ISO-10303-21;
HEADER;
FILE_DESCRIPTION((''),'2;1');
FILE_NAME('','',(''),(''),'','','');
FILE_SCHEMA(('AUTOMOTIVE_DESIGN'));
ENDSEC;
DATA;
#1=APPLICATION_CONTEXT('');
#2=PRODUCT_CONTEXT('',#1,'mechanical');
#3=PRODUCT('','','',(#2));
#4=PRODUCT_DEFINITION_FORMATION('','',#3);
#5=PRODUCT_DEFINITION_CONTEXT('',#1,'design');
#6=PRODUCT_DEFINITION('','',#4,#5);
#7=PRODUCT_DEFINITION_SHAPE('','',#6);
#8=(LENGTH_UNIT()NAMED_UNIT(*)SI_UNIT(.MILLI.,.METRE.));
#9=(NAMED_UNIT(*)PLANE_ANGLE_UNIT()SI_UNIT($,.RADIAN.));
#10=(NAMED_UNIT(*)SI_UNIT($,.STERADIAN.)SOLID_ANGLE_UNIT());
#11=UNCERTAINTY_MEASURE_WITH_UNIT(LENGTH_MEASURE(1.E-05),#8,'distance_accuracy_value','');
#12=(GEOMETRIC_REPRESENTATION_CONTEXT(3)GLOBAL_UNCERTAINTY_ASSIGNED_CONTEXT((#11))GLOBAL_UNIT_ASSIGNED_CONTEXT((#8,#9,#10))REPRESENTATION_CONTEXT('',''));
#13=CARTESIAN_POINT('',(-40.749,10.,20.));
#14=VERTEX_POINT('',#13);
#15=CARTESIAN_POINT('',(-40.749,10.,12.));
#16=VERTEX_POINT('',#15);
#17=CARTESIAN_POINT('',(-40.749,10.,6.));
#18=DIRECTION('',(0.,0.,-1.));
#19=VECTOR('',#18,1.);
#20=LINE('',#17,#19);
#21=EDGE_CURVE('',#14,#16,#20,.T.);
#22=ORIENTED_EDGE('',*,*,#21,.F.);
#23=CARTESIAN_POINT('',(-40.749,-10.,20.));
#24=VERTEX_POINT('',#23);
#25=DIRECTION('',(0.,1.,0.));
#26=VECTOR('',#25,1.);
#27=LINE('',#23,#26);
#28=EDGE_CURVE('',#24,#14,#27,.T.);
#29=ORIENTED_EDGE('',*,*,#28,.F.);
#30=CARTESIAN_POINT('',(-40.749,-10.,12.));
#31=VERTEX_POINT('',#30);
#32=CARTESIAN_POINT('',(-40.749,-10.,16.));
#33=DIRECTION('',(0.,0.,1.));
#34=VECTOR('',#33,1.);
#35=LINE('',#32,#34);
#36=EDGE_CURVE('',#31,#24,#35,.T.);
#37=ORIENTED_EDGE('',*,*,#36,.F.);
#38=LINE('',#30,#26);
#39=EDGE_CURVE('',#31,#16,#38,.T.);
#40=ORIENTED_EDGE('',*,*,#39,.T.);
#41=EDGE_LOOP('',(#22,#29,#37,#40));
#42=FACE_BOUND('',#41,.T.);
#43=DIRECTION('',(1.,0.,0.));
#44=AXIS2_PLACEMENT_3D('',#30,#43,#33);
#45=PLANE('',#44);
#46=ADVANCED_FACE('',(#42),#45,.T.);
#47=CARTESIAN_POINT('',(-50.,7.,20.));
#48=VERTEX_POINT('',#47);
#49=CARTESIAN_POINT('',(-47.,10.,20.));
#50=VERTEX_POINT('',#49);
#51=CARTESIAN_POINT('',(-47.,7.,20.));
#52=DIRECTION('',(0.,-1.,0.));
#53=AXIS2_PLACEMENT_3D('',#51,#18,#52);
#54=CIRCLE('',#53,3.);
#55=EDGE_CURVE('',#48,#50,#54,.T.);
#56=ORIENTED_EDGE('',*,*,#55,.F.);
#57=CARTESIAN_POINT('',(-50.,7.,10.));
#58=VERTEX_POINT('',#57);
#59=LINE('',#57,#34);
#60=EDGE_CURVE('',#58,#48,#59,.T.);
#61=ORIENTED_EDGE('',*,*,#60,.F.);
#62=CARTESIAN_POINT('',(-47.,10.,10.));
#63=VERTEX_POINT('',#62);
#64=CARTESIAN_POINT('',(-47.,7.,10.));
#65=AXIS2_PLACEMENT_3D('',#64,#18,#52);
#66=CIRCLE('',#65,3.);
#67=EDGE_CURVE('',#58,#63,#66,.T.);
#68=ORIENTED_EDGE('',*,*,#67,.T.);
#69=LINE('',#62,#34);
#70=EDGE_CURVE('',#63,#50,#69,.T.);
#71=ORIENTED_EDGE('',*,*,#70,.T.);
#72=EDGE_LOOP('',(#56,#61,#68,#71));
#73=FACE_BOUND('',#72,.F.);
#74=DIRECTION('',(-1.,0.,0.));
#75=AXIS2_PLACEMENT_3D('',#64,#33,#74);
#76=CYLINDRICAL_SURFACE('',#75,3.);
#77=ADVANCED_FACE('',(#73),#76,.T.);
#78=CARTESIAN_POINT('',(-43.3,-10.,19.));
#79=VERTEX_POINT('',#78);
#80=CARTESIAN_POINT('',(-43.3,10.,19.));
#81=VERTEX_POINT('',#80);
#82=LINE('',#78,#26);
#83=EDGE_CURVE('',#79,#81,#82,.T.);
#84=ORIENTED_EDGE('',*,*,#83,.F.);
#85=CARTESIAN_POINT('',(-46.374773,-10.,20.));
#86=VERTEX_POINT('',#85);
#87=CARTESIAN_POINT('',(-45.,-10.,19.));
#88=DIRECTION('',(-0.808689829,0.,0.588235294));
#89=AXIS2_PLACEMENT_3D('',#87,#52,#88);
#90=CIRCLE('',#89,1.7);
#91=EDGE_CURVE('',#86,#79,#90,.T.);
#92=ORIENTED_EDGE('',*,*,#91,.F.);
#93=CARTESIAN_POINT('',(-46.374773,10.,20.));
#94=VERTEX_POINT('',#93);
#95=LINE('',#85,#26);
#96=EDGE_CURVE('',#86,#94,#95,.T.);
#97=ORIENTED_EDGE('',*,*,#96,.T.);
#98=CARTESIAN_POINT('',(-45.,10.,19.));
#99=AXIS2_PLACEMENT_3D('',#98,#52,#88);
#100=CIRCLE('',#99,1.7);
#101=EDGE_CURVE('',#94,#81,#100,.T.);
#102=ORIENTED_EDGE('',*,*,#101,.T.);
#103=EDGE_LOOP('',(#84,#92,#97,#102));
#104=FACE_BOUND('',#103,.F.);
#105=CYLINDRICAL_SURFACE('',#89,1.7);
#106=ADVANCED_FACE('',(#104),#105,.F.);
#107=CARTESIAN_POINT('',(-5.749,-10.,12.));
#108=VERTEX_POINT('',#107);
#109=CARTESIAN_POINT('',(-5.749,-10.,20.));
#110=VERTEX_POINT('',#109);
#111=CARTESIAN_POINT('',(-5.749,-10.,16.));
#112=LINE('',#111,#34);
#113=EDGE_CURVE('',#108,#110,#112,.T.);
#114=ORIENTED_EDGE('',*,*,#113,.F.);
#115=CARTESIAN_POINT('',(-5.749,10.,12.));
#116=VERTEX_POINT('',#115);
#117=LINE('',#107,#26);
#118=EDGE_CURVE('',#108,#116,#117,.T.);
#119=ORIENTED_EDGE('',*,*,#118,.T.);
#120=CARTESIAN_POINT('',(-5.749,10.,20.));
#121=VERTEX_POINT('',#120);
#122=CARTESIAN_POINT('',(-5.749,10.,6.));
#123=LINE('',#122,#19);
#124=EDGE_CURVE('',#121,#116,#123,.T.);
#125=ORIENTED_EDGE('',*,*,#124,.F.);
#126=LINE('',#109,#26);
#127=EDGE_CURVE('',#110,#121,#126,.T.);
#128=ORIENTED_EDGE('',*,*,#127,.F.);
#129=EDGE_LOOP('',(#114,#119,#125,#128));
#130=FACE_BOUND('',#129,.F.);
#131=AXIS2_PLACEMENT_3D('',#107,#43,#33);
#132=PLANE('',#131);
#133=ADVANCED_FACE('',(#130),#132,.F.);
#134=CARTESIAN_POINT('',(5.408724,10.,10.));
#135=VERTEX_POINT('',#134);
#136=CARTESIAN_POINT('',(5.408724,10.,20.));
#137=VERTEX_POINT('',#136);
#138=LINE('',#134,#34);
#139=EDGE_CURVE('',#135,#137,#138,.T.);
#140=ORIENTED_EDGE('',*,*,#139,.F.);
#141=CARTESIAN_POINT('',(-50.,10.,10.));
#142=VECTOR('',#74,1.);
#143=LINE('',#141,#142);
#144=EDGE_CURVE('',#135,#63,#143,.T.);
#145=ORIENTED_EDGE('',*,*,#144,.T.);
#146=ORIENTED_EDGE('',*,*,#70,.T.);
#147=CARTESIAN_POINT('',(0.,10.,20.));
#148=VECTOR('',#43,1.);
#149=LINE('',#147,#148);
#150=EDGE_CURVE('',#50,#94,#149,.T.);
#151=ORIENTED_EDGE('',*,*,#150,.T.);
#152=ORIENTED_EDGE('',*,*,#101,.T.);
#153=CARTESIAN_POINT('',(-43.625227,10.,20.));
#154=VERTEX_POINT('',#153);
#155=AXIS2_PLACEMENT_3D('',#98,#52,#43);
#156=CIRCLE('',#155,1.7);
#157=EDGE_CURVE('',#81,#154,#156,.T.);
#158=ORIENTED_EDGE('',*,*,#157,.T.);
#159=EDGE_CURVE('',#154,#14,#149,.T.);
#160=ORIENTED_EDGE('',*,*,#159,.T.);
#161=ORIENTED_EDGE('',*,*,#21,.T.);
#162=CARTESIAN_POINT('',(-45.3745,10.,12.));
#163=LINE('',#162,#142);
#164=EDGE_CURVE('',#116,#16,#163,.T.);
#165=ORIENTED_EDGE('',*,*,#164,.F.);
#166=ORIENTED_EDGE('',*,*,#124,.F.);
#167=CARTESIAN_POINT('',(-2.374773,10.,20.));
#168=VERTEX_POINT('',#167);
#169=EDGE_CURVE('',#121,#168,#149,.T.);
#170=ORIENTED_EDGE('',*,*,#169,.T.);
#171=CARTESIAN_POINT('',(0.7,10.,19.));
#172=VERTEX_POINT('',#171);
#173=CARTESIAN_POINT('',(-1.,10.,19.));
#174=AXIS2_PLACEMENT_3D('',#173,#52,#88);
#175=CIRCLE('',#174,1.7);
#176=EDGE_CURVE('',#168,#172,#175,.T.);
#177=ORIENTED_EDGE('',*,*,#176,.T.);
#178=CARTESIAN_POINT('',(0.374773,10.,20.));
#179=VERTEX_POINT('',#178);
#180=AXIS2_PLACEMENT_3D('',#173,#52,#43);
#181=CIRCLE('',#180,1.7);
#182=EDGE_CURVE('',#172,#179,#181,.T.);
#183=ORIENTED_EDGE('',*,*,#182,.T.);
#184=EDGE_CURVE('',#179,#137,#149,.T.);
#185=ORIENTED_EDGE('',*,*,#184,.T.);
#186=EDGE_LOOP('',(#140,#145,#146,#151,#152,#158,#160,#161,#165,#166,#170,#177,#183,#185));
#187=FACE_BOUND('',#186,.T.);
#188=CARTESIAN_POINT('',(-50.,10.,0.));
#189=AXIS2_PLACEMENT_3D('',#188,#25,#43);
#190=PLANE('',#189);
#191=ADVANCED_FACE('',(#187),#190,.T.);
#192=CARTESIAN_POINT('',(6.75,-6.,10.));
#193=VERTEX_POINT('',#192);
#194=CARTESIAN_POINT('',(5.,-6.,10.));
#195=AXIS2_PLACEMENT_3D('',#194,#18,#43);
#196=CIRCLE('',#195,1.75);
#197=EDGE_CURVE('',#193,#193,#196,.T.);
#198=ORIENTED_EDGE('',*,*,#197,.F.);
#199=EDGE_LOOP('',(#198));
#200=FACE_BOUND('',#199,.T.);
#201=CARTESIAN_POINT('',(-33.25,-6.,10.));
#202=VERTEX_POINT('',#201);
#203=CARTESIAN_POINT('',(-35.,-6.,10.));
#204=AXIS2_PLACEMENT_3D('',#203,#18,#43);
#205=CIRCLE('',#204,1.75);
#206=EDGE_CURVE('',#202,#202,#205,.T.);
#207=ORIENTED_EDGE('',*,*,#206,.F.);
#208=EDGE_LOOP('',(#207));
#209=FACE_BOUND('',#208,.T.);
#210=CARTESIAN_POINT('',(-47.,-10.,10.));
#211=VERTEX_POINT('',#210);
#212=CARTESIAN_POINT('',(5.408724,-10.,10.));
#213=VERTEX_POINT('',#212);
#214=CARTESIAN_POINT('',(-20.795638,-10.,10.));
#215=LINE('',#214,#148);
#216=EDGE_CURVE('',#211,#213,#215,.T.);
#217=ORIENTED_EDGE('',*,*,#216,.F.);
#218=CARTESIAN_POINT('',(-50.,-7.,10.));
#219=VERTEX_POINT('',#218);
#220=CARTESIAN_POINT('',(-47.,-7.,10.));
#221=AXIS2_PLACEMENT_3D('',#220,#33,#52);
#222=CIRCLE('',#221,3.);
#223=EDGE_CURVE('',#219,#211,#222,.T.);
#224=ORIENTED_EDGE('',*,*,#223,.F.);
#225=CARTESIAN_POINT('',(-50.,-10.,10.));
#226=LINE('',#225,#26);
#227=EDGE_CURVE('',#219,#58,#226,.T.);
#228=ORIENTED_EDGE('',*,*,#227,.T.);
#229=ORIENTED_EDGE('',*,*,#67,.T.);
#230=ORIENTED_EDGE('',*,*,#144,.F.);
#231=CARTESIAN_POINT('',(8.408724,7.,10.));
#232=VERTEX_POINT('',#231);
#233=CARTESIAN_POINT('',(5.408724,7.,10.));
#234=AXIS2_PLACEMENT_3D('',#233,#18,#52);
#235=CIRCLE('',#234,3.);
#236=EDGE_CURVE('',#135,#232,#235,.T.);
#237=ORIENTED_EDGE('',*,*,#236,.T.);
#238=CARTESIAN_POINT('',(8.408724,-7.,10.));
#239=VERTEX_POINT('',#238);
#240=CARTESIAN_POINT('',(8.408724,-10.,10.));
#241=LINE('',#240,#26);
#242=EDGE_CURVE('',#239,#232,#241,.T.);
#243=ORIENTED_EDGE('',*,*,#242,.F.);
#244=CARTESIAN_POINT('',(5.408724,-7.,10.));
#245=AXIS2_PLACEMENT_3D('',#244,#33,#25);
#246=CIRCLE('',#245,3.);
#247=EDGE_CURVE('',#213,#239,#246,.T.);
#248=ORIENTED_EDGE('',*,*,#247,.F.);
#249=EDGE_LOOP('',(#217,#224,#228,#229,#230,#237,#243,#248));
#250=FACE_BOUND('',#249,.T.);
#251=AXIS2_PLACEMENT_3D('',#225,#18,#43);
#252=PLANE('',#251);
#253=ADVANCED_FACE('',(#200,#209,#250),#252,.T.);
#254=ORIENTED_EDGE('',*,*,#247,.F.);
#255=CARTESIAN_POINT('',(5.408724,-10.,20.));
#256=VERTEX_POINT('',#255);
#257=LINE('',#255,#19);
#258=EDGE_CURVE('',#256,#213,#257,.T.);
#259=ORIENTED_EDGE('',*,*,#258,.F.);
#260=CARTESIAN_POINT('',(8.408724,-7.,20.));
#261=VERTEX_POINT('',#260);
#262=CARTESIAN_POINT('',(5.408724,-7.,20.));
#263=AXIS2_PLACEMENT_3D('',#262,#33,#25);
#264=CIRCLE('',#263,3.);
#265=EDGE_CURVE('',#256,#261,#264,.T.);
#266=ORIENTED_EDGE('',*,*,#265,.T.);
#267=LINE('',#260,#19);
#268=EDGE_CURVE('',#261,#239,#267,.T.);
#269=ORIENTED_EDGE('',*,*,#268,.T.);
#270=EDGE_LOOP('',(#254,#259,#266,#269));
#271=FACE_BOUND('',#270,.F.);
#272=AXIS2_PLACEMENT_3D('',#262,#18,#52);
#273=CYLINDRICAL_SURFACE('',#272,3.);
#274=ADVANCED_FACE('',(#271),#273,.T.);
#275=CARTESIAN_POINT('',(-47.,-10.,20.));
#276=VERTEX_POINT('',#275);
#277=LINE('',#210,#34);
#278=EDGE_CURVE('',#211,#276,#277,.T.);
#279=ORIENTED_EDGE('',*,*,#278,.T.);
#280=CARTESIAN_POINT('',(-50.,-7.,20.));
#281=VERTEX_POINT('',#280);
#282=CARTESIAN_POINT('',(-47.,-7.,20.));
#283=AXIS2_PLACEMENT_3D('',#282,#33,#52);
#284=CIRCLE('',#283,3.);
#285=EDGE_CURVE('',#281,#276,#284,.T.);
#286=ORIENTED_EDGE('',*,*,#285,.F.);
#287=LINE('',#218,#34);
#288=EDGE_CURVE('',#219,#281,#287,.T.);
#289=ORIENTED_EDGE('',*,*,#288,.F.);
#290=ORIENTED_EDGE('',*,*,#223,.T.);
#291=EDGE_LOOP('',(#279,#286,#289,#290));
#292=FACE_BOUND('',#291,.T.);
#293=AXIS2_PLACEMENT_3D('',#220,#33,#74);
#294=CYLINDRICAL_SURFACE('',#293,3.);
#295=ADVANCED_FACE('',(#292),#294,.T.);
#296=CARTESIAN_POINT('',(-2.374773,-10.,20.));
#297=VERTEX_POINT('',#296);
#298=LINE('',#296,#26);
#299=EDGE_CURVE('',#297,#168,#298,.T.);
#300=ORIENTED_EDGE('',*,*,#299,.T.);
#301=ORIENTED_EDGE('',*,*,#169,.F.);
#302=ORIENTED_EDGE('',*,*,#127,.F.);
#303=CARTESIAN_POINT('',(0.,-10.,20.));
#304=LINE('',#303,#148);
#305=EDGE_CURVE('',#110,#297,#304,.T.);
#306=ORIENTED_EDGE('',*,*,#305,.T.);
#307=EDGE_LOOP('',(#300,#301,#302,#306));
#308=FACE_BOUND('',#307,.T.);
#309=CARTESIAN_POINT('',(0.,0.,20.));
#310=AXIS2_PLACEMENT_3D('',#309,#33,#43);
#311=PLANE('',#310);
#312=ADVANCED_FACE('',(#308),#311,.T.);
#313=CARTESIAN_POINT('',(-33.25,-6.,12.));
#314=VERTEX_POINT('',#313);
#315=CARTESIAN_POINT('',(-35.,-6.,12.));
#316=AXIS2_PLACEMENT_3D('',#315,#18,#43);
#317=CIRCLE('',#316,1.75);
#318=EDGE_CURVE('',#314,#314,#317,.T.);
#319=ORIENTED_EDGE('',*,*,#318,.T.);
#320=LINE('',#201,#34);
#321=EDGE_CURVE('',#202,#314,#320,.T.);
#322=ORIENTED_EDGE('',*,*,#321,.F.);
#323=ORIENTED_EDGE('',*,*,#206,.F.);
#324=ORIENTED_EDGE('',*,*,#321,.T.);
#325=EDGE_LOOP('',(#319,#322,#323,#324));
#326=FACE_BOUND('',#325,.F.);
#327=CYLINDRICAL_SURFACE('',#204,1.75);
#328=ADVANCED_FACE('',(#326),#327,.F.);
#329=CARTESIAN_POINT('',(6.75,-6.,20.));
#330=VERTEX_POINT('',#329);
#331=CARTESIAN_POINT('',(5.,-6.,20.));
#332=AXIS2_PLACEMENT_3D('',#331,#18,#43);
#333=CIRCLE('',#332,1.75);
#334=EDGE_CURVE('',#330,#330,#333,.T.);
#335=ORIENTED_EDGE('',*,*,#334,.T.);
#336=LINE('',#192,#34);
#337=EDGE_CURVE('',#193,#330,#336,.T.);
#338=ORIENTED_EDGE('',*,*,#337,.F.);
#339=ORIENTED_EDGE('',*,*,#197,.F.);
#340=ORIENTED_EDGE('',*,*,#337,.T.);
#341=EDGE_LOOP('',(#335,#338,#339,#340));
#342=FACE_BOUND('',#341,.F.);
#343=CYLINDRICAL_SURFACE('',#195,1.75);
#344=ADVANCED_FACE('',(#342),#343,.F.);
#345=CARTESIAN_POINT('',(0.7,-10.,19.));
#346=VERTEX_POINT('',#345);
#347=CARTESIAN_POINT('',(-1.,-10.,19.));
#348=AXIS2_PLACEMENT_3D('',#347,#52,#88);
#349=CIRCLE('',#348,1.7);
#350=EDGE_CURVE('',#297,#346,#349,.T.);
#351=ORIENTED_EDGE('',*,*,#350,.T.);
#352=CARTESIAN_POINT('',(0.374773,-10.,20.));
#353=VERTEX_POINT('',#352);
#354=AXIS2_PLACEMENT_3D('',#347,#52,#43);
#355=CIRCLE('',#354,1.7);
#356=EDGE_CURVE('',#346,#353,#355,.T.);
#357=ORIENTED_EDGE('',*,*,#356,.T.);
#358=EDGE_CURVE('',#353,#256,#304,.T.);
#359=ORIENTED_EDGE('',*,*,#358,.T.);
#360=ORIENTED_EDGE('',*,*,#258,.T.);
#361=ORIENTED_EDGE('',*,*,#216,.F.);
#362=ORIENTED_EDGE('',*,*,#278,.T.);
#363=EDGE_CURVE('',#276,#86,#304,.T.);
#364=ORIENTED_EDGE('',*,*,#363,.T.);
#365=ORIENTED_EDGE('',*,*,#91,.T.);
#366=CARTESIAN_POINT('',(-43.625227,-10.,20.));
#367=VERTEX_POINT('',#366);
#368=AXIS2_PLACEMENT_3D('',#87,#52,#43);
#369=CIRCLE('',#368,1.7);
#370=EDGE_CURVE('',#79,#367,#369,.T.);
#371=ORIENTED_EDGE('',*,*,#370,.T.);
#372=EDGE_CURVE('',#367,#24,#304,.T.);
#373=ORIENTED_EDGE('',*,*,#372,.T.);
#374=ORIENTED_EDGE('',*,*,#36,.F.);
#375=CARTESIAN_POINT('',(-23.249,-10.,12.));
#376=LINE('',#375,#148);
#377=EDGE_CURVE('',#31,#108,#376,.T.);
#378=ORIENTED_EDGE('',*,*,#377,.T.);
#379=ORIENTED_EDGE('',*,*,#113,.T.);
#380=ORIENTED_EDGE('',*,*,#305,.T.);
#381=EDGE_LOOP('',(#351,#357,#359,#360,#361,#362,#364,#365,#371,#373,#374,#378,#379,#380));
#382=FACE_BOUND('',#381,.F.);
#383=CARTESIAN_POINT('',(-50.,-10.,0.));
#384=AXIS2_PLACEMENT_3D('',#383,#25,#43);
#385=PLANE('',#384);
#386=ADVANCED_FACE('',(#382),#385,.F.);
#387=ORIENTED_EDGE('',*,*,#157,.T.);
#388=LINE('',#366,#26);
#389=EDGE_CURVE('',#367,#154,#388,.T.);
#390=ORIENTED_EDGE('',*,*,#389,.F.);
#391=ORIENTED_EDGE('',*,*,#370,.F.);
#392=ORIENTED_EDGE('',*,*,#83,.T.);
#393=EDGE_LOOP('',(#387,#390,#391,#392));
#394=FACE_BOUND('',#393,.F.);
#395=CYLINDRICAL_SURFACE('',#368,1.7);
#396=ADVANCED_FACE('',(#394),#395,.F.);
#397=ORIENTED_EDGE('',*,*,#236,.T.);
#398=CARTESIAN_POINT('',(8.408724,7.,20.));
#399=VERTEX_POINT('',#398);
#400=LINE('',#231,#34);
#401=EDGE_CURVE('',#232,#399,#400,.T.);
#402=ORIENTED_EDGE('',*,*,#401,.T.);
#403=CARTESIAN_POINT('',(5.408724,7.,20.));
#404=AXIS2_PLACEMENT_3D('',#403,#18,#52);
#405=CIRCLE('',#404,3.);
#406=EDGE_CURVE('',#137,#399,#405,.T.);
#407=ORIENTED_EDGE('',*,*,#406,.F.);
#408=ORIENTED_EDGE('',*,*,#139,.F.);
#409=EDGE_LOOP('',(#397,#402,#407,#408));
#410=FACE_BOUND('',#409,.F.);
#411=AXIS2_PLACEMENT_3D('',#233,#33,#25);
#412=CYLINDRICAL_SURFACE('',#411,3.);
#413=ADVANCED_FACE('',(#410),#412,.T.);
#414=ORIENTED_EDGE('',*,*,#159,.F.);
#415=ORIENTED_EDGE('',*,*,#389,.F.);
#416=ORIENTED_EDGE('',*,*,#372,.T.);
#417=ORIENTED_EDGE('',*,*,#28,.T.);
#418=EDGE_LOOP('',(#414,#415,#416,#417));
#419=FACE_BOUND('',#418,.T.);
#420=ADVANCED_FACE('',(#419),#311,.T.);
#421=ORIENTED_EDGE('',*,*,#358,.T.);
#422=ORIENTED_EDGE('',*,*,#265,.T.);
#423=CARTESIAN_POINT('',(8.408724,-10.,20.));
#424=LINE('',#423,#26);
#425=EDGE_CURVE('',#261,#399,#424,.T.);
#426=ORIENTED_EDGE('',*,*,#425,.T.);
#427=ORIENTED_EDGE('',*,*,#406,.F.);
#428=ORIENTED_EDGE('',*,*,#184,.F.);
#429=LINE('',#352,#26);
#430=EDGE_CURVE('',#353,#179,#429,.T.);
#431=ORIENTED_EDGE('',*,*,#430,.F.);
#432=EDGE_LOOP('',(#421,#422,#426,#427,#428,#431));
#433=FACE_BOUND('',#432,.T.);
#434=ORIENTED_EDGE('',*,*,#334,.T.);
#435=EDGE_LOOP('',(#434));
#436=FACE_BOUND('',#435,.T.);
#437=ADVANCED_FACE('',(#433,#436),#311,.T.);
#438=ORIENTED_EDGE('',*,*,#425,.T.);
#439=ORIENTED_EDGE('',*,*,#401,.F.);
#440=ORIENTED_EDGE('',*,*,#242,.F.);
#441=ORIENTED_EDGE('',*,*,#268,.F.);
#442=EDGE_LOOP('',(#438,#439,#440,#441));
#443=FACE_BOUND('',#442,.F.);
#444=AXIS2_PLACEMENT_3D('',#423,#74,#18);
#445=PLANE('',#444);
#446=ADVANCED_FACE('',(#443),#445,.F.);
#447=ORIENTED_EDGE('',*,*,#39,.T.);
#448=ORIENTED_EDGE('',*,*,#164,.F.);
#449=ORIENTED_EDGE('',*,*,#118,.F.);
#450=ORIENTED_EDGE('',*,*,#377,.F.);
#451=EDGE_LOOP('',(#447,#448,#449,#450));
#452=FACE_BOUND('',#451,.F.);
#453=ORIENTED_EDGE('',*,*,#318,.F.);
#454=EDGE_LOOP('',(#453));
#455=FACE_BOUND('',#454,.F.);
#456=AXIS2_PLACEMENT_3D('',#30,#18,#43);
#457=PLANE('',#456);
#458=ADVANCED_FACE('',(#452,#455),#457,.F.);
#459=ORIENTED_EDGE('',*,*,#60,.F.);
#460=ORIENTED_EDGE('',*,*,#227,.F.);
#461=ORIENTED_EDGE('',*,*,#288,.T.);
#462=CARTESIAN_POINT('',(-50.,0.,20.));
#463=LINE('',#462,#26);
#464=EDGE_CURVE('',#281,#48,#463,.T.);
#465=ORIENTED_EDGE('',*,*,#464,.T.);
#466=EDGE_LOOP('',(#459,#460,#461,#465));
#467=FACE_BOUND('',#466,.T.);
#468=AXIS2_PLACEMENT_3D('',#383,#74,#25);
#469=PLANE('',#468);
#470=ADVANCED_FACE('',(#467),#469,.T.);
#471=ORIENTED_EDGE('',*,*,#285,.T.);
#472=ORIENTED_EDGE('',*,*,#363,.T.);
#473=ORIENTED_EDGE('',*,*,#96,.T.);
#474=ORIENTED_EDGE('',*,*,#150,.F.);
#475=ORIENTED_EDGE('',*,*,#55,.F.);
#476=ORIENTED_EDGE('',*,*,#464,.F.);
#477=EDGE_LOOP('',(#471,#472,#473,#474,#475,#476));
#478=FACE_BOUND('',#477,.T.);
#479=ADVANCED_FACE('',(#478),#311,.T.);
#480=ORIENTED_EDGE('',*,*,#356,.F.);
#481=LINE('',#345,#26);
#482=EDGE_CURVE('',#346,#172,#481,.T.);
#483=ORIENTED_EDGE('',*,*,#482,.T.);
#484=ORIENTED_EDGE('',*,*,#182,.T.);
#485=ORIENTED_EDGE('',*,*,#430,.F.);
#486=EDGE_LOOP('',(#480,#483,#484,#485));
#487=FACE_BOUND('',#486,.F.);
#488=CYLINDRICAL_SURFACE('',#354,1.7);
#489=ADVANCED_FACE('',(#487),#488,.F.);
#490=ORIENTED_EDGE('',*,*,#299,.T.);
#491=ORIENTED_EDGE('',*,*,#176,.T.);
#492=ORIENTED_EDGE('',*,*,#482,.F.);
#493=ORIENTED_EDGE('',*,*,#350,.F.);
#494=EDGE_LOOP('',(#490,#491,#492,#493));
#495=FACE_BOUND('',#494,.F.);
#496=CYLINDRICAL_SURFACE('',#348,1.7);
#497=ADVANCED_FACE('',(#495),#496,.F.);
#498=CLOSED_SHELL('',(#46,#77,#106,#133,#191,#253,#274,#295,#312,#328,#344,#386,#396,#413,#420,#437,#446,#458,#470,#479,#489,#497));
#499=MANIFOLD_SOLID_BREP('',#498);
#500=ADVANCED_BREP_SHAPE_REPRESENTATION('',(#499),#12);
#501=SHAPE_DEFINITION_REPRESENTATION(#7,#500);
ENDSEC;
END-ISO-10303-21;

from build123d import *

# Parameters (mm, degrees)
F0_W     = 100
F0_H     = 20
F1_DEPTH = 20
F3_DEPTH = 25
F4_W     = 58.4087243304
F4_H     = 10
F4_W_2   = 35
F4_H_2   = 8
F5_DEPTH = 25
F6_R     = 1.75
F7_DEPTH = 25
F8_R     = 3


with BuildPart() as f1:
    # F0 (on Top) → F1 (new body)
    with BuildSketch(Plane.XY):
        Rectangle(F0_W, F0_H)
    extrude(amount=F1_DEPTH)

    # F2 (on face) → F3 (cut)
    with BuildSketch(Plane.XZ.offset(10)):
        with BuildLine():
            ThreePointArc((-46.3747727085, 20), (-45.5257786585, 17.38335013), (-43.3, 19))
            ThreePointArc((-43.3, 19), (-43.38335013, 19.5257786585), (-43.6252272915, 20))
            Line((-43.6252272915, 20), (-46.3747727085, 20))
        make_face()
        with BuildLine():
            Line((0.3747727085, 20), (-2.3747727085, 20))
            ThreePointArc((-2.3747727085, 20), (-1.5257786585, 17.38335013), (0.7, 19))
            ThreePointArc((0.7, 19), (0.61664987, 19.5257786585), (0.3747727085, 20))
        make_face()
    extrude(amount=-F3_DEPTH, mode=Mode.SUBTRACT)

    # F4 (on face) → F5 (cut)
    with BuildSketch(Plane.XZ.offset(10)):
        Polygon((50, 20), (8.4087243304, 20), (8.4087243304, 10), (8.4087243304, 0), (50, 0), align=None)
        with Locations((-20.7956378348, 5)):
            Rectangle(F4_W, F4_H)
        with Locations((-23.2489995997, 16)):
            Rectangle(F4_W_2, F4_H_2)
    extrude(amount=-F5_DEPTH, mode=Mode.SUBTRACT)

    # F6 (on face) → F7 (cut)
    with BuildSketch(Plane(origin=(0, 0, 10), x_dir=(1, 0, 0), z_dir=(0, 0, -1))):
        with Locations((-35, 6)):
            Circle(F6_R)
        with Locations((5, 6)):
            Circle(F6_R)
    extrude(amount=-F7_DEPTH, mode=Mode.SUBTRACT)

    # F8
    f8_edges = [f1.edges().sort_by_distance(p)[0] for p in [
        (-50, -10, 15),
        (-50, 10, 15),
        (8.408724, 10, 15),
        (8.408724, -10, 15),
    ]]
    fillet(f8_edges, radius=F8_R)


solid = f1.part
